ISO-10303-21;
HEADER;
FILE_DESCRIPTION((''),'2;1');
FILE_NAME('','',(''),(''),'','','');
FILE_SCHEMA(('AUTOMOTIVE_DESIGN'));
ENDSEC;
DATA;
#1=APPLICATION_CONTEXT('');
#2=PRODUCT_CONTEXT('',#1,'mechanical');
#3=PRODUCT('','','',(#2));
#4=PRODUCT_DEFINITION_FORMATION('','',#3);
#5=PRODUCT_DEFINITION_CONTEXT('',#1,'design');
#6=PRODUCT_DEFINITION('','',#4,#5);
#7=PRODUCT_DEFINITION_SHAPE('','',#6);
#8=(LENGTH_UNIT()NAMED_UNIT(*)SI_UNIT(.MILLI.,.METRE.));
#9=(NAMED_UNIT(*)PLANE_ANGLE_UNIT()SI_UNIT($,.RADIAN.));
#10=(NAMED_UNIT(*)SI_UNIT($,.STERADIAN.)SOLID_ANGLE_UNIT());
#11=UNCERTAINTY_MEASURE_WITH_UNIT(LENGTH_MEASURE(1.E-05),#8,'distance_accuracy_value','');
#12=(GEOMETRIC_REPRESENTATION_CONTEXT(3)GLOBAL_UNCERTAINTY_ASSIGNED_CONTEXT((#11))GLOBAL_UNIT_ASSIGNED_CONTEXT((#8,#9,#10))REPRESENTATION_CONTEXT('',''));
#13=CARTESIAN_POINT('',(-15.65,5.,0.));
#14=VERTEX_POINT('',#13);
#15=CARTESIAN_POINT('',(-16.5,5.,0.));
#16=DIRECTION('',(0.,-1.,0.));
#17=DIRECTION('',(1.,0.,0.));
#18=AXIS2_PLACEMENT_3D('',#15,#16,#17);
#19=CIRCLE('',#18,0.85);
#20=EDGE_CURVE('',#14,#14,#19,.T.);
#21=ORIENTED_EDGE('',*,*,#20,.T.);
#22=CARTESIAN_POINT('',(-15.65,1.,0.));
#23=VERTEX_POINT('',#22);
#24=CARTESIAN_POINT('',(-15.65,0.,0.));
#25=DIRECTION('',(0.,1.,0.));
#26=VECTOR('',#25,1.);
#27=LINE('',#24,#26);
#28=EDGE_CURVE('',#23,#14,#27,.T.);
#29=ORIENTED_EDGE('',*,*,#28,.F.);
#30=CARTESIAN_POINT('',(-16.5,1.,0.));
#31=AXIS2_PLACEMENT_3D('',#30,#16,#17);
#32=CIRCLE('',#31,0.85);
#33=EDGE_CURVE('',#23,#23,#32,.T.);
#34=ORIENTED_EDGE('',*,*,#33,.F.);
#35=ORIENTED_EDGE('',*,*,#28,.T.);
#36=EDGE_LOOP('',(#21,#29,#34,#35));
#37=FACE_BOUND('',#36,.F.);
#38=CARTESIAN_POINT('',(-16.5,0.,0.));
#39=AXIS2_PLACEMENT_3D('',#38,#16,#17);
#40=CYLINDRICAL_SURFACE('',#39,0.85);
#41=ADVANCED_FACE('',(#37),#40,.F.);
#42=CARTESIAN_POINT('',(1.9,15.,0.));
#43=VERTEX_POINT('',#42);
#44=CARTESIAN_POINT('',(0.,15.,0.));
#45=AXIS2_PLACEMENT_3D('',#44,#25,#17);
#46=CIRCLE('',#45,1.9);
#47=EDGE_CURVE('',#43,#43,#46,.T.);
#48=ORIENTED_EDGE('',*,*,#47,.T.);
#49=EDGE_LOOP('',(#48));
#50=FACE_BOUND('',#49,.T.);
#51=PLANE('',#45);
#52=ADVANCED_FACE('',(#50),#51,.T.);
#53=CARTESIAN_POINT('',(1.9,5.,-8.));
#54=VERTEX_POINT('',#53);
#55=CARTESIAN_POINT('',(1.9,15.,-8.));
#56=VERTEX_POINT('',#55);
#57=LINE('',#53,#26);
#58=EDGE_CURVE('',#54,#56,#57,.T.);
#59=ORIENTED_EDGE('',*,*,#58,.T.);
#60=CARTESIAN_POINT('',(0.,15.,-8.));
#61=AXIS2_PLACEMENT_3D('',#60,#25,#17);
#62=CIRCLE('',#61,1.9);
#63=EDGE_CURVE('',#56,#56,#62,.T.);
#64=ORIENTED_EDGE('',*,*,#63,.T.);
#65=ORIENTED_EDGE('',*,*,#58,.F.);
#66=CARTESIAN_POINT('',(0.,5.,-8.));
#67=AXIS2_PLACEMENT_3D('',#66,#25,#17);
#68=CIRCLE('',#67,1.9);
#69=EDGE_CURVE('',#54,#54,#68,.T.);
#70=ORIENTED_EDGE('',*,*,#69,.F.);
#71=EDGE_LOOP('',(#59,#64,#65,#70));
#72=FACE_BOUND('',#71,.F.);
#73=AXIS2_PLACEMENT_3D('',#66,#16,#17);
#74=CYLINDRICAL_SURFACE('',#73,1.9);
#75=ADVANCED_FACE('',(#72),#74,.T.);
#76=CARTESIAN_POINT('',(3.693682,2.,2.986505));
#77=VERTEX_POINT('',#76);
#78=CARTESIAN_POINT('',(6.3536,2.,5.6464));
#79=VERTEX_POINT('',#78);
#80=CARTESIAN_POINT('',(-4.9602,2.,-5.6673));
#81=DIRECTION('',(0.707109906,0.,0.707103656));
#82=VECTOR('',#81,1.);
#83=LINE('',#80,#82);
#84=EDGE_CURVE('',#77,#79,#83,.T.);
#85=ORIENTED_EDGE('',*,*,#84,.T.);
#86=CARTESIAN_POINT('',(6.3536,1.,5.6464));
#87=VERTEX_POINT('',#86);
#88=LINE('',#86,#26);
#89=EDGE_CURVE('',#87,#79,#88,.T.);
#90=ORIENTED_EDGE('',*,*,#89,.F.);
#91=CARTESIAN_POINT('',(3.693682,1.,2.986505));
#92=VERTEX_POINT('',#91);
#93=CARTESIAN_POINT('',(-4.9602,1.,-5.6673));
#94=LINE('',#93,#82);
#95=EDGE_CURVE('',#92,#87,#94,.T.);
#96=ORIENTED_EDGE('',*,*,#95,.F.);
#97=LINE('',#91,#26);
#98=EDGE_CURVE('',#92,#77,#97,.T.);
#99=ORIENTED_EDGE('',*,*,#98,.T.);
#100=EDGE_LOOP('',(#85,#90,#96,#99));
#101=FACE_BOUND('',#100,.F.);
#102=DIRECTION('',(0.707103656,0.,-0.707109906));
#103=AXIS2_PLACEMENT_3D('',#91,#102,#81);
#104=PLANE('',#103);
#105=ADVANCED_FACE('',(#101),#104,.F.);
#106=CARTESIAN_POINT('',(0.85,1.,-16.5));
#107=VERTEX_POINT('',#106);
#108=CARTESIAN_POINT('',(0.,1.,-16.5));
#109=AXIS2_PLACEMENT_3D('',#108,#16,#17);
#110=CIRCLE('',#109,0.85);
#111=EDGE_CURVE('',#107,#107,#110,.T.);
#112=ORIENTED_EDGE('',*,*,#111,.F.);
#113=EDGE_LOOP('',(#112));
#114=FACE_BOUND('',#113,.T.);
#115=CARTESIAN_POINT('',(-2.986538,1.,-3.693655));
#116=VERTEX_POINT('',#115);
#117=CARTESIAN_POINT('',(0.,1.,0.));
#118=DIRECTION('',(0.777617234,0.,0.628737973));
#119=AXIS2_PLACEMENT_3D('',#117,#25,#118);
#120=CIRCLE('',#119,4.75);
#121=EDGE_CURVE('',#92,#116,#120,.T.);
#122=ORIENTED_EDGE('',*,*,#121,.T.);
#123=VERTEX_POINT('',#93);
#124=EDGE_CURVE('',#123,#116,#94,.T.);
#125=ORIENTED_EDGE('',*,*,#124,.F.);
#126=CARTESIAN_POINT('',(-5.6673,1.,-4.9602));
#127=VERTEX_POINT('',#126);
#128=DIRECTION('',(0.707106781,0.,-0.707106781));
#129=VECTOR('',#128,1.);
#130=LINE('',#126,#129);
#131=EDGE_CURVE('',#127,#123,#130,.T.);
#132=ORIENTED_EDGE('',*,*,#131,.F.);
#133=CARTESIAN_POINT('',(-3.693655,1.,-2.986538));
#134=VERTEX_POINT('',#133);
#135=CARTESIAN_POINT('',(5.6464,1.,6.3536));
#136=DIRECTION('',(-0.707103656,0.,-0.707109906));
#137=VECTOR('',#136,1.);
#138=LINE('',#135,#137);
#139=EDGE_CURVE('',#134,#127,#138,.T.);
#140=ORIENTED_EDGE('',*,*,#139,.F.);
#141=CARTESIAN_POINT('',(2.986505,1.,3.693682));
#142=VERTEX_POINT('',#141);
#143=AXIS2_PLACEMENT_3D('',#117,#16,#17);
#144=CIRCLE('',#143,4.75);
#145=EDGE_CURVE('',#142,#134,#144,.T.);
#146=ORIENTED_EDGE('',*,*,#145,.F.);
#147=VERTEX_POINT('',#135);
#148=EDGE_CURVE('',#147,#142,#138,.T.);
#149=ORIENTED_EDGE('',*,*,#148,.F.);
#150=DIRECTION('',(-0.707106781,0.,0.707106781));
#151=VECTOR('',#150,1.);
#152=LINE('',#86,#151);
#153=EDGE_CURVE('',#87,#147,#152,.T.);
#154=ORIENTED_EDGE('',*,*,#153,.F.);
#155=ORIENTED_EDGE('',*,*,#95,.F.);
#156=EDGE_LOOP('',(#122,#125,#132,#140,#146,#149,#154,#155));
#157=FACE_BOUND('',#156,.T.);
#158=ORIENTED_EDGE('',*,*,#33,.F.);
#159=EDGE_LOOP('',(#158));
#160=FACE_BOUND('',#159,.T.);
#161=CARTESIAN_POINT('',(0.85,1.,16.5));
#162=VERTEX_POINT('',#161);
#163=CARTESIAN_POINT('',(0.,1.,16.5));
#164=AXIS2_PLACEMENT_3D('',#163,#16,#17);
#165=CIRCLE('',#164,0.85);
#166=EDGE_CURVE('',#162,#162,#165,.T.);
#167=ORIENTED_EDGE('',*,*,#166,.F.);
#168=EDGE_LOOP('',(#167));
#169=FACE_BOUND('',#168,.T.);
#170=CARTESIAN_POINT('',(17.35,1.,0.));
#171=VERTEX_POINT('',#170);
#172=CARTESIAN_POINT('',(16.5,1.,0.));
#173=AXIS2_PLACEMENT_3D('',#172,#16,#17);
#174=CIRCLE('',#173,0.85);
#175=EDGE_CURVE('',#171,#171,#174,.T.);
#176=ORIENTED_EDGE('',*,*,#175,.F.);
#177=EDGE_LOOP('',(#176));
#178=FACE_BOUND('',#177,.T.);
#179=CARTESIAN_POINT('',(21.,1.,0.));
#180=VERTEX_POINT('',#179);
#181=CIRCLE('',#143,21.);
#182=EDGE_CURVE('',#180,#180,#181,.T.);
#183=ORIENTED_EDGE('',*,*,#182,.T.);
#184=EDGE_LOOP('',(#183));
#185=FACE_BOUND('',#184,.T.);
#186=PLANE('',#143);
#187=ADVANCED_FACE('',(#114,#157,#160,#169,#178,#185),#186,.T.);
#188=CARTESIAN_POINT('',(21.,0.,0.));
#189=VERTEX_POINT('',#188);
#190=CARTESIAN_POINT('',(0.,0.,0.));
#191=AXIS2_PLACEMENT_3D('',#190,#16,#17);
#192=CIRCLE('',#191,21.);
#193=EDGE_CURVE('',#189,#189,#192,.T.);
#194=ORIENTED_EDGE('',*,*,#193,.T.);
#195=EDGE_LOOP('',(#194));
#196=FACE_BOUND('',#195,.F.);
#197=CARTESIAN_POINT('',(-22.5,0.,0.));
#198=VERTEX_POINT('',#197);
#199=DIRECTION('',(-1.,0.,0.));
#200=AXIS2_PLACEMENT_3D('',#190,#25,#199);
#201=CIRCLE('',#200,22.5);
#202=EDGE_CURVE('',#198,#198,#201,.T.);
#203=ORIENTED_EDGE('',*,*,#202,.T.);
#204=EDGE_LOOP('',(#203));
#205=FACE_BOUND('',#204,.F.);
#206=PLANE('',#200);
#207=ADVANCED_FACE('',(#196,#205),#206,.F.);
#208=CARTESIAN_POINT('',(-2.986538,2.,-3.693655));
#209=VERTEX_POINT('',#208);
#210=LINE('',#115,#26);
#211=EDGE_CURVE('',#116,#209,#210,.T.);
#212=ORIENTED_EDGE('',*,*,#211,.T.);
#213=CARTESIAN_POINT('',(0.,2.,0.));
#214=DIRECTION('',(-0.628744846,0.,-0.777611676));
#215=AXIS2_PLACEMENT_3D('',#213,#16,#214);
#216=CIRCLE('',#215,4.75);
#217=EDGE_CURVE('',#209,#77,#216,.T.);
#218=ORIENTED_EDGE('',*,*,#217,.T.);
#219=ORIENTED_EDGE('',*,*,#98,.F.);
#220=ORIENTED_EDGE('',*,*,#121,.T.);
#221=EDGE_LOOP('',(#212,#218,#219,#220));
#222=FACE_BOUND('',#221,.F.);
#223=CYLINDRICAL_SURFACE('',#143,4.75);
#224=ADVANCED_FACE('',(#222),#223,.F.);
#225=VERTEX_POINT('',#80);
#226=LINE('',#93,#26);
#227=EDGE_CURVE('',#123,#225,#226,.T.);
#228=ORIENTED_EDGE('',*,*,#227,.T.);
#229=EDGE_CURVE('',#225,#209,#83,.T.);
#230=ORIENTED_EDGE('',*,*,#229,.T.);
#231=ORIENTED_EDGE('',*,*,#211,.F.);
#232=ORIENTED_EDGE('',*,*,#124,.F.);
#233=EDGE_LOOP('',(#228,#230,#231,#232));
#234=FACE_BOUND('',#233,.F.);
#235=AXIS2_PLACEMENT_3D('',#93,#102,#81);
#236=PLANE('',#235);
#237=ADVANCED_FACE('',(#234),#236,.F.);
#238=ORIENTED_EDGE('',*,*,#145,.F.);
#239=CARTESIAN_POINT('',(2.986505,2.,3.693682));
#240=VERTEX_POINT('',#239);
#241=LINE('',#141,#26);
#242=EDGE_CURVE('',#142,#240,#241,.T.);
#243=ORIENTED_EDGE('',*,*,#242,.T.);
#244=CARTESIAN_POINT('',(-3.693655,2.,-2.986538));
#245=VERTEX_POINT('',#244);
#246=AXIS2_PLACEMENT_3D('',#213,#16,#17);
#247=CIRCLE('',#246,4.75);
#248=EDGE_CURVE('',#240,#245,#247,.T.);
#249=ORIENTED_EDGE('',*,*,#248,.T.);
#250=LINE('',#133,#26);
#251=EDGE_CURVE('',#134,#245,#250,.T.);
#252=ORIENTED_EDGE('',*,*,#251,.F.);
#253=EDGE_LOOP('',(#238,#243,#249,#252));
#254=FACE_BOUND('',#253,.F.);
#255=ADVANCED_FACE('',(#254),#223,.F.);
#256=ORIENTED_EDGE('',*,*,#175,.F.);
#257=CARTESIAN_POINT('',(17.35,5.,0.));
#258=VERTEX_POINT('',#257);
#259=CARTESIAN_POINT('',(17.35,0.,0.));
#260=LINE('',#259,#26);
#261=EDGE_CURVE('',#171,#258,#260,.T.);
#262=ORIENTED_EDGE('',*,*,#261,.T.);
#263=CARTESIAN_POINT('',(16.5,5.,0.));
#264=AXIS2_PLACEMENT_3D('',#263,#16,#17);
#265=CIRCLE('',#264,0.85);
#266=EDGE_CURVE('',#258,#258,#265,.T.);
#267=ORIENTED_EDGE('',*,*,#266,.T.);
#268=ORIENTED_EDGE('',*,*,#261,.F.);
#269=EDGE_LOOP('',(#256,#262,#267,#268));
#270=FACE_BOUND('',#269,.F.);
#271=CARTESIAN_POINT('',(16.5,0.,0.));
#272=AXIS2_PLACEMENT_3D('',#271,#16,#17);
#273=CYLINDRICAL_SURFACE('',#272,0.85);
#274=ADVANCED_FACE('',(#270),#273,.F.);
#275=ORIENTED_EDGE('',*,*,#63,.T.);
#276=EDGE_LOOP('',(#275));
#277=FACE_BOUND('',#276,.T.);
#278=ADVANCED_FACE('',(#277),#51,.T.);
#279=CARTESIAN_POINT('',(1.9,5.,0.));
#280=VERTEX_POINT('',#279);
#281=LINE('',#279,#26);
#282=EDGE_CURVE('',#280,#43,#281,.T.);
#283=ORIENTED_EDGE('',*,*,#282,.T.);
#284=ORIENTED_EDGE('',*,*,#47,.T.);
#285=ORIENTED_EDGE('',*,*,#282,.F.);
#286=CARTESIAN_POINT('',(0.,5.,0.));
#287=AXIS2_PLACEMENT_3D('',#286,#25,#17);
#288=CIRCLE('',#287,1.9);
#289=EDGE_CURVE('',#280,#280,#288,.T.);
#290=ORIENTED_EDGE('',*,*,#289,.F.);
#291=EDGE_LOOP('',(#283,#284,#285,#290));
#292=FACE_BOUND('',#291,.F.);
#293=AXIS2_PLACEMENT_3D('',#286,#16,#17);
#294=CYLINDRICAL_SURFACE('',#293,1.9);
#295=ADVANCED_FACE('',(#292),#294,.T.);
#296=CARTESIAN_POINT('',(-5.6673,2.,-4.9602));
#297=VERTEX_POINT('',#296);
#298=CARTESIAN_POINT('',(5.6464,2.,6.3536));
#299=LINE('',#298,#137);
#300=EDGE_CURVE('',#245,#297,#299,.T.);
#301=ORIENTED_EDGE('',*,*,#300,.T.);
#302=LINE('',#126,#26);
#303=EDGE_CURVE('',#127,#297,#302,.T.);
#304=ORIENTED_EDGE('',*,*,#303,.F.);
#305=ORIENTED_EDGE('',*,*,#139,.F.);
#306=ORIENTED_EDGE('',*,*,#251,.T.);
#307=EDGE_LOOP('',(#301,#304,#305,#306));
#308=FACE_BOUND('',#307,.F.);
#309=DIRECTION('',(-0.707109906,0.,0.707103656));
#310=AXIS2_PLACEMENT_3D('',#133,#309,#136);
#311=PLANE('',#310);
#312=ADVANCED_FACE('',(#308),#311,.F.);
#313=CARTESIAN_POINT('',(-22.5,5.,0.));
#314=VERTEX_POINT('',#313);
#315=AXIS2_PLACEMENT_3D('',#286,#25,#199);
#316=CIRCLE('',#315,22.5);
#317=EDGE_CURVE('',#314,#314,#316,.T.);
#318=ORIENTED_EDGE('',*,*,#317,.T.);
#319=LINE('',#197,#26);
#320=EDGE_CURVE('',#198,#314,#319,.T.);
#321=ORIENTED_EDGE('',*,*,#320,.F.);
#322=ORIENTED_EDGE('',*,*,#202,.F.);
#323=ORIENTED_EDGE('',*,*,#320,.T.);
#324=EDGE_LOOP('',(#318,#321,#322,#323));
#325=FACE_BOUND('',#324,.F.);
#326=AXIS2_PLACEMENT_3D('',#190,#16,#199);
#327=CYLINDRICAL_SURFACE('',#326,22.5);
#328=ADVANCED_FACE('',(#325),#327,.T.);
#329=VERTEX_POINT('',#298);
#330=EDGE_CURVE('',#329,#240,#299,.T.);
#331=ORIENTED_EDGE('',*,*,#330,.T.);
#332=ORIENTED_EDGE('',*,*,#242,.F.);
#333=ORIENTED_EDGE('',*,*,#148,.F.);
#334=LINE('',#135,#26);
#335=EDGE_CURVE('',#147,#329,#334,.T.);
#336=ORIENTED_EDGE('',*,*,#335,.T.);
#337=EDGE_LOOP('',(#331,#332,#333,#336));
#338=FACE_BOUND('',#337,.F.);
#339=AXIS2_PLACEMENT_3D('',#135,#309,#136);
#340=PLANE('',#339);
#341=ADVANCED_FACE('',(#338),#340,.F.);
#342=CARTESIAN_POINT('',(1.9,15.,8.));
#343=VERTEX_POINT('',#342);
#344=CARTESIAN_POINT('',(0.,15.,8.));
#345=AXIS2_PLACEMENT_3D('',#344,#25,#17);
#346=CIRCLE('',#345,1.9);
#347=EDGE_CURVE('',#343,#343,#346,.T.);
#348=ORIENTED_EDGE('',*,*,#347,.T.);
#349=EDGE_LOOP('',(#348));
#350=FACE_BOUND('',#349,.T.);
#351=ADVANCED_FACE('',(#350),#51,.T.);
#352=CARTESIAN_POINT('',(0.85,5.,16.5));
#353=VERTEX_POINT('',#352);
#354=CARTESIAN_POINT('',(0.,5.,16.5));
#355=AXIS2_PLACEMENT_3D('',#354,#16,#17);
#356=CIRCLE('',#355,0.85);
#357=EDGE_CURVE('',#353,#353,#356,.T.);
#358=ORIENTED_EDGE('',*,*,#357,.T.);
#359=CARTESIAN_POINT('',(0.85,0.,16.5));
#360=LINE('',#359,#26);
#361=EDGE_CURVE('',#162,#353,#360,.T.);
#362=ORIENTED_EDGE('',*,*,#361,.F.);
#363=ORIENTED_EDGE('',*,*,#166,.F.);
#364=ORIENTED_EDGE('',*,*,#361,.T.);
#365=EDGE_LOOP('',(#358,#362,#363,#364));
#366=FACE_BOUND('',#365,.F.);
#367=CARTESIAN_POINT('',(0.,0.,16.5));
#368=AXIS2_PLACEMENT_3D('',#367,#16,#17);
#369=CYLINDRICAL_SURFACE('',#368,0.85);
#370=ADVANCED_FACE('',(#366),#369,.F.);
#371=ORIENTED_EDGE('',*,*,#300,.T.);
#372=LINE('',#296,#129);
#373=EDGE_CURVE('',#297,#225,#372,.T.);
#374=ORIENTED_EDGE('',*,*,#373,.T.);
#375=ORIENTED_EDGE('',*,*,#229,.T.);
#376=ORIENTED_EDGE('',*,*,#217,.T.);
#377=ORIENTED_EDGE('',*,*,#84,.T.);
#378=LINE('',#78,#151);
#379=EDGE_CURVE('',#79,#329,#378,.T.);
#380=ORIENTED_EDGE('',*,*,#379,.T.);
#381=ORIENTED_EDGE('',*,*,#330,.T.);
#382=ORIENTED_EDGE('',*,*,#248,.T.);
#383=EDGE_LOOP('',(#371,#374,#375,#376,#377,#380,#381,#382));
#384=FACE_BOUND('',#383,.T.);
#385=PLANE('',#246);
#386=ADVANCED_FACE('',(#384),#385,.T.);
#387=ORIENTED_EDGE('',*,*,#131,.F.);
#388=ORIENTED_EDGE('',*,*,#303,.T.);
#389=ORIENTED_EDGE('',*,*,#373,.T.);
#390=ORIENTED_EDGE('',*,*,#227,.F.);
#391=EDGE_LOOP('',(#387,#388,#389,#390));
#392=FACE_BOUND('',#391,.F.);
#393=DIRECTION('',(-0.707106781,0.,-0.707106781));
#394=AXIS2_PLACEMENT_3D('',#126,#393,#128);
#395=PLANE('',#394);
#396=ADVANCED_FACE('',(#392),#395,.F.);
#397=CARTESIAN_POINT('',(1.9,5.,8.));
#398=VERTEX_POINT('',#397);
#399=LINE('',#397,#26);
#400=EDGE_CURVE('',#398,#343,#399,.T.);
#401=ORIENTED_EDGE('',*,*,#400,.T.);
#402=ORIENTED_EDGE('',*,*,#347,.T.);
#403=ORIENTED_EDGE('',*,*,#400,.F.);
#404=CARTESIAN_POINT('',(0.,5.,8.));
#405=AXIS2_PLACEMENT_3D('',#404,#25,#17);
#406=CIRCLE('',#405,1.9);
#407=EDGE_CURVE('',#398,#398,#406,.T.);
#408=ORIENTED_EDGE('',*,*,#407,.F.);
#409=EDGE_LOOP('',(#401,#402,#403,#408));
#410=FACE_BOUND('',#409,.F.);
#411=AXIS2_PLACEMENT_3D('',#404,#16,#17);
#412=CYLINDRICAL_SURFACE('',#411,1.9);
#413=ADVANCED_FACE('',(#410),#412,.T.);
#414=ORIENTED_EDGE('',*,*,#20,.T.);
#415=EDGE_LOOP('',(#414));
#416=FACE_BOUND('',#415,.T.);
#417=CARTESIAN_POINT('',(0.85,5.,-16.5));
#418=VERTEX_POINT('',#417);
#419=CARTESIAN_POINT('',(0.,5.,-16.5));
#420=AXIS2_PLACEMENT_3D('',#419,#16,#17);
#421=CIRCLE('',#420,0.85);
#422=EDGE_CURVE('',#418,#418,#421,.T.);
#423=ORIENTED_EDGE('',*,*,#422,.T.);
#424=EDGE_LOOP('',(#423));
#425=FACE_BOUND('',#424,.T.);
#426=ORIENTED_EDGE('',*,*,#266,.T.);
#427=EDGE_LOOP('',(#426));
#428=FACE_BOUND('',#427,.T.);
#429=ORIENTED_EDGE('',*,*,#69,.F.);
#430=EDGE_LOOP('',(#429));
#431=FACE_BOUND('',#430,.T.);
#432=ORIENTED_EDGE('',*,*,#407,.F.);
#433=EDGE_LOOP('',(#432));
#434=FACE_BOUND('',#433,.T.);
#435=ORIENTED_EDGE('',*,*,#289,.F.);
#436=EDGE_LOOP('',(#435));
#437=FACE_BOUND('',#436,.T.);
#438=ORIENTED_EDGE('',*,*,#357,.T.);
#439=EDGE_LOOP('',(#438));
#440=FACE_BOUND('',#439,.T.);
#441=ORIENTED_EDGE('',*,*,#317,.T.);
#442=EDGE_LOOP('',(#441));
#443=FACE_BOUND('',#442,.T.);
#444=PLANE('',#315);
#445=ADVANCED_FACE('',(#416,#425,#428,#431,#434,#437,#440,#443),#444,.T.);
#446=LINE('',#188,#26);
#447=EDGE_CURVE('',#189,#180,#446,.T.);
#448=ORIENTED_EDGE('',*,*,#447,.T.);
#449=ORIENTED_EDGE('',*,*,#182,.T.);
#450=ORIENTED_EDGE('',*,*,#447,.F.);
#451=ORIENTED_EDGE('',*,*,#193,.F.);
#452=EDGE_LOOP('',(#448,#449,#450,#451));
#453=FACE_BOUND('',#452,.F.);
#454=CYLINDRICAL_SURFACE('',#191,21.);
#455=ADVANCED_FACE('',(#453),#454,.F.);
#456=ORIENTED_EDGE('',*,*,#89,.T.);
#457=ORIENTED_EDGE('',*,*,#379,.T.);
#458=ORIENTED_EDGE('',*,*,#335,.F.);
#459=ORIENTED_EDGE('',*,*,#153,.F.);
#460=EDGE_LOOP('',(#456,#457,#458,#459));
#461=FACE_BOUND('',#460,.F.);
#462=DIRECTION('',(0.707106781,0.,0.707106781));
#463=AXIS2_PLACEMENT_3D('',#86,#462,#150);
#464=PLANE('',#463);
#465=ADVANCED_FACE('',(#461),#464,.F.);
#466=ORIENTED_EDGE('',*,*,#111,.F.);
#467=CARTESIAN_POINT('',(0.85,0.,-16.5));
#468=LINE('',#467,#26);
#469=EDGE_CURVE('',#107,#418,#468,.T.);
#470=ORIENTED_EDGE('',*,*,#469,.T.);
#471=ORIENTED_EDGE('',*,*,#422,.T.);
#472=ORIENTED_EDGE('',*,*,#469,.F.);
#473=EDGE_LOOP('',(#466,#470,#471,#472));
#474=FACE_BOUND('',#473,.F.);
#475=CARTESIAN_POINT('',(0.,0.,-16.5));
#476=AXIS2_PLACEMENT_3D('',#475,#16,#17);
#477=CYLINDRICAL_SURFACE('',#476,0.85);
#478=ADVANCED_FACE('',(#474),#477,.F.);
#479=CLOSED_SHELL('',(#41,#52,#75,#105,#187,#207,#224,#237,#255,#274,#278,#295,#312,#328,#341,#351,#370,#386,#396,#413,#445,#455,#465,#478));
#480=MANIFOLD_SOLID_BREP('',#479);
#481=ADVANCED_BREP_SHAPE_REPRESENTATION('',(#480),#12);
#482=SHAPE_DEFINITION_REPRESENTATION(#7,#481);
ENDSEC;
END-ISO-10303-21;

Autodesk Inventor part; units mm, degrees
ref_plane "YZ Plane" through (0, 0, 0) normal (1, 0, 0) x (0, 1, 0)
ref_plane "XZ Plane" through (0, 0, 0) normal (0, 1, 0) x (-1, 0, 0)
ref_plane "XY Plane" through (0, 0, 0) normal (0, 0, 1) x (1, 0, 0)
sketch "Sketch1" plane through (0, 0, 0) normal (0, 1, 0) x (-1, 0, 0)
  circle A0 centre (0, 0) radius 22.5
  dimension "d0" = 45
extrude "Extrusion1" add sketch "Sketch1" along normal blind 5
sketch "Sketch2" plane through (0, 5, 0) normal (0, 1, 0) x (1, 0, 0)
  line L0 (0, 0) -> (0, 8) construction
  line L1 (0, 0) -> (0, -8) construction
  circle A0 centre (0, 8) radius 1.9
  circle A1 centre (0, 0) radius 1.9
  circle A2 centre (0, -8) radius 1.9
  dimension "d3" = 8
  dimension "d4" = 8
  dimension "d5" = 3.8
  dimension "d6" = 3.8
  dimension "d7" = 3.8
extrude "Extrusion2" add sketch "Sketch2" along normal blind 10
sketch "Sketch7" plane through (0, 0, 0) normal (0, -1, 0) x (1, 0, 0)
  circle A0 centre (0, 0) radius 16.5 construction
  circle A1 centre (0, 16.5) radius 0.85
  circle A2 centre (16.5, 0) radius 0.85
  circle A3 centre (-16.5, 0) radius 0.85
  circle A4 centre (0, -16.5) radius 0.85
  dimension "d42" = 33
  dimension "d43" = 1.7
  dimension "d44" = 1.7
  dimension "d45" = 1.7
  dimension "d46" = 1.7
extrude "Extrusion6" cut sketch "Sketch7" against normal blind 5
sketch "Sketch8" plane through (0, 0, 0) normal (0, -1, 0) x (1, 0, 0)
  circle A0 centre (0, 0) radius 21
  dimension "d49" = 42
extrude "Extrusion7" cut sketch "Sketch8" against normal blind 1
sketch "Sketch9" plane through (0, 1, 0) normal (0, -1, 0) x (1, 0, 0)
  circle A0 centre (0, 0) radius 4.75
  line L0 (0, 0) -> (6, 0) construction
  line L1 (6, 0) -> (6, 6) construction
  line L2 (6, 6) -> (0, 6) construction
  line L3 (0, 6) -> (0, 0) construction
  line L4 (0, 0) -> (6, 6) construction
  line L5 (6, 6) -> (5.6464, 6.3536) construction
  line L6 (5.6464, 6.3536) -> (-5.6673, -4.9602)
  line L7 (-5.6673, -4.9602) -> (-4.9602, -5.6673)
  line L8 (-4.9602, -5.6673) -> (6.3536, 5.6464)
  line L9 (6.3536, 5.6464) -> (5.6464, 6.3536)
  dimension "d52" = 9.5
  dimension "d53" = 6
  dimension "d54" = 6
  dimension "d55" = 0.5
  dimension "d56" = 16
  dimension "d57" = 1
extrude "Extrusion8" cut sketch "Sketch9" against normal blind 1
properties part number "Motor Mount Fancy"
